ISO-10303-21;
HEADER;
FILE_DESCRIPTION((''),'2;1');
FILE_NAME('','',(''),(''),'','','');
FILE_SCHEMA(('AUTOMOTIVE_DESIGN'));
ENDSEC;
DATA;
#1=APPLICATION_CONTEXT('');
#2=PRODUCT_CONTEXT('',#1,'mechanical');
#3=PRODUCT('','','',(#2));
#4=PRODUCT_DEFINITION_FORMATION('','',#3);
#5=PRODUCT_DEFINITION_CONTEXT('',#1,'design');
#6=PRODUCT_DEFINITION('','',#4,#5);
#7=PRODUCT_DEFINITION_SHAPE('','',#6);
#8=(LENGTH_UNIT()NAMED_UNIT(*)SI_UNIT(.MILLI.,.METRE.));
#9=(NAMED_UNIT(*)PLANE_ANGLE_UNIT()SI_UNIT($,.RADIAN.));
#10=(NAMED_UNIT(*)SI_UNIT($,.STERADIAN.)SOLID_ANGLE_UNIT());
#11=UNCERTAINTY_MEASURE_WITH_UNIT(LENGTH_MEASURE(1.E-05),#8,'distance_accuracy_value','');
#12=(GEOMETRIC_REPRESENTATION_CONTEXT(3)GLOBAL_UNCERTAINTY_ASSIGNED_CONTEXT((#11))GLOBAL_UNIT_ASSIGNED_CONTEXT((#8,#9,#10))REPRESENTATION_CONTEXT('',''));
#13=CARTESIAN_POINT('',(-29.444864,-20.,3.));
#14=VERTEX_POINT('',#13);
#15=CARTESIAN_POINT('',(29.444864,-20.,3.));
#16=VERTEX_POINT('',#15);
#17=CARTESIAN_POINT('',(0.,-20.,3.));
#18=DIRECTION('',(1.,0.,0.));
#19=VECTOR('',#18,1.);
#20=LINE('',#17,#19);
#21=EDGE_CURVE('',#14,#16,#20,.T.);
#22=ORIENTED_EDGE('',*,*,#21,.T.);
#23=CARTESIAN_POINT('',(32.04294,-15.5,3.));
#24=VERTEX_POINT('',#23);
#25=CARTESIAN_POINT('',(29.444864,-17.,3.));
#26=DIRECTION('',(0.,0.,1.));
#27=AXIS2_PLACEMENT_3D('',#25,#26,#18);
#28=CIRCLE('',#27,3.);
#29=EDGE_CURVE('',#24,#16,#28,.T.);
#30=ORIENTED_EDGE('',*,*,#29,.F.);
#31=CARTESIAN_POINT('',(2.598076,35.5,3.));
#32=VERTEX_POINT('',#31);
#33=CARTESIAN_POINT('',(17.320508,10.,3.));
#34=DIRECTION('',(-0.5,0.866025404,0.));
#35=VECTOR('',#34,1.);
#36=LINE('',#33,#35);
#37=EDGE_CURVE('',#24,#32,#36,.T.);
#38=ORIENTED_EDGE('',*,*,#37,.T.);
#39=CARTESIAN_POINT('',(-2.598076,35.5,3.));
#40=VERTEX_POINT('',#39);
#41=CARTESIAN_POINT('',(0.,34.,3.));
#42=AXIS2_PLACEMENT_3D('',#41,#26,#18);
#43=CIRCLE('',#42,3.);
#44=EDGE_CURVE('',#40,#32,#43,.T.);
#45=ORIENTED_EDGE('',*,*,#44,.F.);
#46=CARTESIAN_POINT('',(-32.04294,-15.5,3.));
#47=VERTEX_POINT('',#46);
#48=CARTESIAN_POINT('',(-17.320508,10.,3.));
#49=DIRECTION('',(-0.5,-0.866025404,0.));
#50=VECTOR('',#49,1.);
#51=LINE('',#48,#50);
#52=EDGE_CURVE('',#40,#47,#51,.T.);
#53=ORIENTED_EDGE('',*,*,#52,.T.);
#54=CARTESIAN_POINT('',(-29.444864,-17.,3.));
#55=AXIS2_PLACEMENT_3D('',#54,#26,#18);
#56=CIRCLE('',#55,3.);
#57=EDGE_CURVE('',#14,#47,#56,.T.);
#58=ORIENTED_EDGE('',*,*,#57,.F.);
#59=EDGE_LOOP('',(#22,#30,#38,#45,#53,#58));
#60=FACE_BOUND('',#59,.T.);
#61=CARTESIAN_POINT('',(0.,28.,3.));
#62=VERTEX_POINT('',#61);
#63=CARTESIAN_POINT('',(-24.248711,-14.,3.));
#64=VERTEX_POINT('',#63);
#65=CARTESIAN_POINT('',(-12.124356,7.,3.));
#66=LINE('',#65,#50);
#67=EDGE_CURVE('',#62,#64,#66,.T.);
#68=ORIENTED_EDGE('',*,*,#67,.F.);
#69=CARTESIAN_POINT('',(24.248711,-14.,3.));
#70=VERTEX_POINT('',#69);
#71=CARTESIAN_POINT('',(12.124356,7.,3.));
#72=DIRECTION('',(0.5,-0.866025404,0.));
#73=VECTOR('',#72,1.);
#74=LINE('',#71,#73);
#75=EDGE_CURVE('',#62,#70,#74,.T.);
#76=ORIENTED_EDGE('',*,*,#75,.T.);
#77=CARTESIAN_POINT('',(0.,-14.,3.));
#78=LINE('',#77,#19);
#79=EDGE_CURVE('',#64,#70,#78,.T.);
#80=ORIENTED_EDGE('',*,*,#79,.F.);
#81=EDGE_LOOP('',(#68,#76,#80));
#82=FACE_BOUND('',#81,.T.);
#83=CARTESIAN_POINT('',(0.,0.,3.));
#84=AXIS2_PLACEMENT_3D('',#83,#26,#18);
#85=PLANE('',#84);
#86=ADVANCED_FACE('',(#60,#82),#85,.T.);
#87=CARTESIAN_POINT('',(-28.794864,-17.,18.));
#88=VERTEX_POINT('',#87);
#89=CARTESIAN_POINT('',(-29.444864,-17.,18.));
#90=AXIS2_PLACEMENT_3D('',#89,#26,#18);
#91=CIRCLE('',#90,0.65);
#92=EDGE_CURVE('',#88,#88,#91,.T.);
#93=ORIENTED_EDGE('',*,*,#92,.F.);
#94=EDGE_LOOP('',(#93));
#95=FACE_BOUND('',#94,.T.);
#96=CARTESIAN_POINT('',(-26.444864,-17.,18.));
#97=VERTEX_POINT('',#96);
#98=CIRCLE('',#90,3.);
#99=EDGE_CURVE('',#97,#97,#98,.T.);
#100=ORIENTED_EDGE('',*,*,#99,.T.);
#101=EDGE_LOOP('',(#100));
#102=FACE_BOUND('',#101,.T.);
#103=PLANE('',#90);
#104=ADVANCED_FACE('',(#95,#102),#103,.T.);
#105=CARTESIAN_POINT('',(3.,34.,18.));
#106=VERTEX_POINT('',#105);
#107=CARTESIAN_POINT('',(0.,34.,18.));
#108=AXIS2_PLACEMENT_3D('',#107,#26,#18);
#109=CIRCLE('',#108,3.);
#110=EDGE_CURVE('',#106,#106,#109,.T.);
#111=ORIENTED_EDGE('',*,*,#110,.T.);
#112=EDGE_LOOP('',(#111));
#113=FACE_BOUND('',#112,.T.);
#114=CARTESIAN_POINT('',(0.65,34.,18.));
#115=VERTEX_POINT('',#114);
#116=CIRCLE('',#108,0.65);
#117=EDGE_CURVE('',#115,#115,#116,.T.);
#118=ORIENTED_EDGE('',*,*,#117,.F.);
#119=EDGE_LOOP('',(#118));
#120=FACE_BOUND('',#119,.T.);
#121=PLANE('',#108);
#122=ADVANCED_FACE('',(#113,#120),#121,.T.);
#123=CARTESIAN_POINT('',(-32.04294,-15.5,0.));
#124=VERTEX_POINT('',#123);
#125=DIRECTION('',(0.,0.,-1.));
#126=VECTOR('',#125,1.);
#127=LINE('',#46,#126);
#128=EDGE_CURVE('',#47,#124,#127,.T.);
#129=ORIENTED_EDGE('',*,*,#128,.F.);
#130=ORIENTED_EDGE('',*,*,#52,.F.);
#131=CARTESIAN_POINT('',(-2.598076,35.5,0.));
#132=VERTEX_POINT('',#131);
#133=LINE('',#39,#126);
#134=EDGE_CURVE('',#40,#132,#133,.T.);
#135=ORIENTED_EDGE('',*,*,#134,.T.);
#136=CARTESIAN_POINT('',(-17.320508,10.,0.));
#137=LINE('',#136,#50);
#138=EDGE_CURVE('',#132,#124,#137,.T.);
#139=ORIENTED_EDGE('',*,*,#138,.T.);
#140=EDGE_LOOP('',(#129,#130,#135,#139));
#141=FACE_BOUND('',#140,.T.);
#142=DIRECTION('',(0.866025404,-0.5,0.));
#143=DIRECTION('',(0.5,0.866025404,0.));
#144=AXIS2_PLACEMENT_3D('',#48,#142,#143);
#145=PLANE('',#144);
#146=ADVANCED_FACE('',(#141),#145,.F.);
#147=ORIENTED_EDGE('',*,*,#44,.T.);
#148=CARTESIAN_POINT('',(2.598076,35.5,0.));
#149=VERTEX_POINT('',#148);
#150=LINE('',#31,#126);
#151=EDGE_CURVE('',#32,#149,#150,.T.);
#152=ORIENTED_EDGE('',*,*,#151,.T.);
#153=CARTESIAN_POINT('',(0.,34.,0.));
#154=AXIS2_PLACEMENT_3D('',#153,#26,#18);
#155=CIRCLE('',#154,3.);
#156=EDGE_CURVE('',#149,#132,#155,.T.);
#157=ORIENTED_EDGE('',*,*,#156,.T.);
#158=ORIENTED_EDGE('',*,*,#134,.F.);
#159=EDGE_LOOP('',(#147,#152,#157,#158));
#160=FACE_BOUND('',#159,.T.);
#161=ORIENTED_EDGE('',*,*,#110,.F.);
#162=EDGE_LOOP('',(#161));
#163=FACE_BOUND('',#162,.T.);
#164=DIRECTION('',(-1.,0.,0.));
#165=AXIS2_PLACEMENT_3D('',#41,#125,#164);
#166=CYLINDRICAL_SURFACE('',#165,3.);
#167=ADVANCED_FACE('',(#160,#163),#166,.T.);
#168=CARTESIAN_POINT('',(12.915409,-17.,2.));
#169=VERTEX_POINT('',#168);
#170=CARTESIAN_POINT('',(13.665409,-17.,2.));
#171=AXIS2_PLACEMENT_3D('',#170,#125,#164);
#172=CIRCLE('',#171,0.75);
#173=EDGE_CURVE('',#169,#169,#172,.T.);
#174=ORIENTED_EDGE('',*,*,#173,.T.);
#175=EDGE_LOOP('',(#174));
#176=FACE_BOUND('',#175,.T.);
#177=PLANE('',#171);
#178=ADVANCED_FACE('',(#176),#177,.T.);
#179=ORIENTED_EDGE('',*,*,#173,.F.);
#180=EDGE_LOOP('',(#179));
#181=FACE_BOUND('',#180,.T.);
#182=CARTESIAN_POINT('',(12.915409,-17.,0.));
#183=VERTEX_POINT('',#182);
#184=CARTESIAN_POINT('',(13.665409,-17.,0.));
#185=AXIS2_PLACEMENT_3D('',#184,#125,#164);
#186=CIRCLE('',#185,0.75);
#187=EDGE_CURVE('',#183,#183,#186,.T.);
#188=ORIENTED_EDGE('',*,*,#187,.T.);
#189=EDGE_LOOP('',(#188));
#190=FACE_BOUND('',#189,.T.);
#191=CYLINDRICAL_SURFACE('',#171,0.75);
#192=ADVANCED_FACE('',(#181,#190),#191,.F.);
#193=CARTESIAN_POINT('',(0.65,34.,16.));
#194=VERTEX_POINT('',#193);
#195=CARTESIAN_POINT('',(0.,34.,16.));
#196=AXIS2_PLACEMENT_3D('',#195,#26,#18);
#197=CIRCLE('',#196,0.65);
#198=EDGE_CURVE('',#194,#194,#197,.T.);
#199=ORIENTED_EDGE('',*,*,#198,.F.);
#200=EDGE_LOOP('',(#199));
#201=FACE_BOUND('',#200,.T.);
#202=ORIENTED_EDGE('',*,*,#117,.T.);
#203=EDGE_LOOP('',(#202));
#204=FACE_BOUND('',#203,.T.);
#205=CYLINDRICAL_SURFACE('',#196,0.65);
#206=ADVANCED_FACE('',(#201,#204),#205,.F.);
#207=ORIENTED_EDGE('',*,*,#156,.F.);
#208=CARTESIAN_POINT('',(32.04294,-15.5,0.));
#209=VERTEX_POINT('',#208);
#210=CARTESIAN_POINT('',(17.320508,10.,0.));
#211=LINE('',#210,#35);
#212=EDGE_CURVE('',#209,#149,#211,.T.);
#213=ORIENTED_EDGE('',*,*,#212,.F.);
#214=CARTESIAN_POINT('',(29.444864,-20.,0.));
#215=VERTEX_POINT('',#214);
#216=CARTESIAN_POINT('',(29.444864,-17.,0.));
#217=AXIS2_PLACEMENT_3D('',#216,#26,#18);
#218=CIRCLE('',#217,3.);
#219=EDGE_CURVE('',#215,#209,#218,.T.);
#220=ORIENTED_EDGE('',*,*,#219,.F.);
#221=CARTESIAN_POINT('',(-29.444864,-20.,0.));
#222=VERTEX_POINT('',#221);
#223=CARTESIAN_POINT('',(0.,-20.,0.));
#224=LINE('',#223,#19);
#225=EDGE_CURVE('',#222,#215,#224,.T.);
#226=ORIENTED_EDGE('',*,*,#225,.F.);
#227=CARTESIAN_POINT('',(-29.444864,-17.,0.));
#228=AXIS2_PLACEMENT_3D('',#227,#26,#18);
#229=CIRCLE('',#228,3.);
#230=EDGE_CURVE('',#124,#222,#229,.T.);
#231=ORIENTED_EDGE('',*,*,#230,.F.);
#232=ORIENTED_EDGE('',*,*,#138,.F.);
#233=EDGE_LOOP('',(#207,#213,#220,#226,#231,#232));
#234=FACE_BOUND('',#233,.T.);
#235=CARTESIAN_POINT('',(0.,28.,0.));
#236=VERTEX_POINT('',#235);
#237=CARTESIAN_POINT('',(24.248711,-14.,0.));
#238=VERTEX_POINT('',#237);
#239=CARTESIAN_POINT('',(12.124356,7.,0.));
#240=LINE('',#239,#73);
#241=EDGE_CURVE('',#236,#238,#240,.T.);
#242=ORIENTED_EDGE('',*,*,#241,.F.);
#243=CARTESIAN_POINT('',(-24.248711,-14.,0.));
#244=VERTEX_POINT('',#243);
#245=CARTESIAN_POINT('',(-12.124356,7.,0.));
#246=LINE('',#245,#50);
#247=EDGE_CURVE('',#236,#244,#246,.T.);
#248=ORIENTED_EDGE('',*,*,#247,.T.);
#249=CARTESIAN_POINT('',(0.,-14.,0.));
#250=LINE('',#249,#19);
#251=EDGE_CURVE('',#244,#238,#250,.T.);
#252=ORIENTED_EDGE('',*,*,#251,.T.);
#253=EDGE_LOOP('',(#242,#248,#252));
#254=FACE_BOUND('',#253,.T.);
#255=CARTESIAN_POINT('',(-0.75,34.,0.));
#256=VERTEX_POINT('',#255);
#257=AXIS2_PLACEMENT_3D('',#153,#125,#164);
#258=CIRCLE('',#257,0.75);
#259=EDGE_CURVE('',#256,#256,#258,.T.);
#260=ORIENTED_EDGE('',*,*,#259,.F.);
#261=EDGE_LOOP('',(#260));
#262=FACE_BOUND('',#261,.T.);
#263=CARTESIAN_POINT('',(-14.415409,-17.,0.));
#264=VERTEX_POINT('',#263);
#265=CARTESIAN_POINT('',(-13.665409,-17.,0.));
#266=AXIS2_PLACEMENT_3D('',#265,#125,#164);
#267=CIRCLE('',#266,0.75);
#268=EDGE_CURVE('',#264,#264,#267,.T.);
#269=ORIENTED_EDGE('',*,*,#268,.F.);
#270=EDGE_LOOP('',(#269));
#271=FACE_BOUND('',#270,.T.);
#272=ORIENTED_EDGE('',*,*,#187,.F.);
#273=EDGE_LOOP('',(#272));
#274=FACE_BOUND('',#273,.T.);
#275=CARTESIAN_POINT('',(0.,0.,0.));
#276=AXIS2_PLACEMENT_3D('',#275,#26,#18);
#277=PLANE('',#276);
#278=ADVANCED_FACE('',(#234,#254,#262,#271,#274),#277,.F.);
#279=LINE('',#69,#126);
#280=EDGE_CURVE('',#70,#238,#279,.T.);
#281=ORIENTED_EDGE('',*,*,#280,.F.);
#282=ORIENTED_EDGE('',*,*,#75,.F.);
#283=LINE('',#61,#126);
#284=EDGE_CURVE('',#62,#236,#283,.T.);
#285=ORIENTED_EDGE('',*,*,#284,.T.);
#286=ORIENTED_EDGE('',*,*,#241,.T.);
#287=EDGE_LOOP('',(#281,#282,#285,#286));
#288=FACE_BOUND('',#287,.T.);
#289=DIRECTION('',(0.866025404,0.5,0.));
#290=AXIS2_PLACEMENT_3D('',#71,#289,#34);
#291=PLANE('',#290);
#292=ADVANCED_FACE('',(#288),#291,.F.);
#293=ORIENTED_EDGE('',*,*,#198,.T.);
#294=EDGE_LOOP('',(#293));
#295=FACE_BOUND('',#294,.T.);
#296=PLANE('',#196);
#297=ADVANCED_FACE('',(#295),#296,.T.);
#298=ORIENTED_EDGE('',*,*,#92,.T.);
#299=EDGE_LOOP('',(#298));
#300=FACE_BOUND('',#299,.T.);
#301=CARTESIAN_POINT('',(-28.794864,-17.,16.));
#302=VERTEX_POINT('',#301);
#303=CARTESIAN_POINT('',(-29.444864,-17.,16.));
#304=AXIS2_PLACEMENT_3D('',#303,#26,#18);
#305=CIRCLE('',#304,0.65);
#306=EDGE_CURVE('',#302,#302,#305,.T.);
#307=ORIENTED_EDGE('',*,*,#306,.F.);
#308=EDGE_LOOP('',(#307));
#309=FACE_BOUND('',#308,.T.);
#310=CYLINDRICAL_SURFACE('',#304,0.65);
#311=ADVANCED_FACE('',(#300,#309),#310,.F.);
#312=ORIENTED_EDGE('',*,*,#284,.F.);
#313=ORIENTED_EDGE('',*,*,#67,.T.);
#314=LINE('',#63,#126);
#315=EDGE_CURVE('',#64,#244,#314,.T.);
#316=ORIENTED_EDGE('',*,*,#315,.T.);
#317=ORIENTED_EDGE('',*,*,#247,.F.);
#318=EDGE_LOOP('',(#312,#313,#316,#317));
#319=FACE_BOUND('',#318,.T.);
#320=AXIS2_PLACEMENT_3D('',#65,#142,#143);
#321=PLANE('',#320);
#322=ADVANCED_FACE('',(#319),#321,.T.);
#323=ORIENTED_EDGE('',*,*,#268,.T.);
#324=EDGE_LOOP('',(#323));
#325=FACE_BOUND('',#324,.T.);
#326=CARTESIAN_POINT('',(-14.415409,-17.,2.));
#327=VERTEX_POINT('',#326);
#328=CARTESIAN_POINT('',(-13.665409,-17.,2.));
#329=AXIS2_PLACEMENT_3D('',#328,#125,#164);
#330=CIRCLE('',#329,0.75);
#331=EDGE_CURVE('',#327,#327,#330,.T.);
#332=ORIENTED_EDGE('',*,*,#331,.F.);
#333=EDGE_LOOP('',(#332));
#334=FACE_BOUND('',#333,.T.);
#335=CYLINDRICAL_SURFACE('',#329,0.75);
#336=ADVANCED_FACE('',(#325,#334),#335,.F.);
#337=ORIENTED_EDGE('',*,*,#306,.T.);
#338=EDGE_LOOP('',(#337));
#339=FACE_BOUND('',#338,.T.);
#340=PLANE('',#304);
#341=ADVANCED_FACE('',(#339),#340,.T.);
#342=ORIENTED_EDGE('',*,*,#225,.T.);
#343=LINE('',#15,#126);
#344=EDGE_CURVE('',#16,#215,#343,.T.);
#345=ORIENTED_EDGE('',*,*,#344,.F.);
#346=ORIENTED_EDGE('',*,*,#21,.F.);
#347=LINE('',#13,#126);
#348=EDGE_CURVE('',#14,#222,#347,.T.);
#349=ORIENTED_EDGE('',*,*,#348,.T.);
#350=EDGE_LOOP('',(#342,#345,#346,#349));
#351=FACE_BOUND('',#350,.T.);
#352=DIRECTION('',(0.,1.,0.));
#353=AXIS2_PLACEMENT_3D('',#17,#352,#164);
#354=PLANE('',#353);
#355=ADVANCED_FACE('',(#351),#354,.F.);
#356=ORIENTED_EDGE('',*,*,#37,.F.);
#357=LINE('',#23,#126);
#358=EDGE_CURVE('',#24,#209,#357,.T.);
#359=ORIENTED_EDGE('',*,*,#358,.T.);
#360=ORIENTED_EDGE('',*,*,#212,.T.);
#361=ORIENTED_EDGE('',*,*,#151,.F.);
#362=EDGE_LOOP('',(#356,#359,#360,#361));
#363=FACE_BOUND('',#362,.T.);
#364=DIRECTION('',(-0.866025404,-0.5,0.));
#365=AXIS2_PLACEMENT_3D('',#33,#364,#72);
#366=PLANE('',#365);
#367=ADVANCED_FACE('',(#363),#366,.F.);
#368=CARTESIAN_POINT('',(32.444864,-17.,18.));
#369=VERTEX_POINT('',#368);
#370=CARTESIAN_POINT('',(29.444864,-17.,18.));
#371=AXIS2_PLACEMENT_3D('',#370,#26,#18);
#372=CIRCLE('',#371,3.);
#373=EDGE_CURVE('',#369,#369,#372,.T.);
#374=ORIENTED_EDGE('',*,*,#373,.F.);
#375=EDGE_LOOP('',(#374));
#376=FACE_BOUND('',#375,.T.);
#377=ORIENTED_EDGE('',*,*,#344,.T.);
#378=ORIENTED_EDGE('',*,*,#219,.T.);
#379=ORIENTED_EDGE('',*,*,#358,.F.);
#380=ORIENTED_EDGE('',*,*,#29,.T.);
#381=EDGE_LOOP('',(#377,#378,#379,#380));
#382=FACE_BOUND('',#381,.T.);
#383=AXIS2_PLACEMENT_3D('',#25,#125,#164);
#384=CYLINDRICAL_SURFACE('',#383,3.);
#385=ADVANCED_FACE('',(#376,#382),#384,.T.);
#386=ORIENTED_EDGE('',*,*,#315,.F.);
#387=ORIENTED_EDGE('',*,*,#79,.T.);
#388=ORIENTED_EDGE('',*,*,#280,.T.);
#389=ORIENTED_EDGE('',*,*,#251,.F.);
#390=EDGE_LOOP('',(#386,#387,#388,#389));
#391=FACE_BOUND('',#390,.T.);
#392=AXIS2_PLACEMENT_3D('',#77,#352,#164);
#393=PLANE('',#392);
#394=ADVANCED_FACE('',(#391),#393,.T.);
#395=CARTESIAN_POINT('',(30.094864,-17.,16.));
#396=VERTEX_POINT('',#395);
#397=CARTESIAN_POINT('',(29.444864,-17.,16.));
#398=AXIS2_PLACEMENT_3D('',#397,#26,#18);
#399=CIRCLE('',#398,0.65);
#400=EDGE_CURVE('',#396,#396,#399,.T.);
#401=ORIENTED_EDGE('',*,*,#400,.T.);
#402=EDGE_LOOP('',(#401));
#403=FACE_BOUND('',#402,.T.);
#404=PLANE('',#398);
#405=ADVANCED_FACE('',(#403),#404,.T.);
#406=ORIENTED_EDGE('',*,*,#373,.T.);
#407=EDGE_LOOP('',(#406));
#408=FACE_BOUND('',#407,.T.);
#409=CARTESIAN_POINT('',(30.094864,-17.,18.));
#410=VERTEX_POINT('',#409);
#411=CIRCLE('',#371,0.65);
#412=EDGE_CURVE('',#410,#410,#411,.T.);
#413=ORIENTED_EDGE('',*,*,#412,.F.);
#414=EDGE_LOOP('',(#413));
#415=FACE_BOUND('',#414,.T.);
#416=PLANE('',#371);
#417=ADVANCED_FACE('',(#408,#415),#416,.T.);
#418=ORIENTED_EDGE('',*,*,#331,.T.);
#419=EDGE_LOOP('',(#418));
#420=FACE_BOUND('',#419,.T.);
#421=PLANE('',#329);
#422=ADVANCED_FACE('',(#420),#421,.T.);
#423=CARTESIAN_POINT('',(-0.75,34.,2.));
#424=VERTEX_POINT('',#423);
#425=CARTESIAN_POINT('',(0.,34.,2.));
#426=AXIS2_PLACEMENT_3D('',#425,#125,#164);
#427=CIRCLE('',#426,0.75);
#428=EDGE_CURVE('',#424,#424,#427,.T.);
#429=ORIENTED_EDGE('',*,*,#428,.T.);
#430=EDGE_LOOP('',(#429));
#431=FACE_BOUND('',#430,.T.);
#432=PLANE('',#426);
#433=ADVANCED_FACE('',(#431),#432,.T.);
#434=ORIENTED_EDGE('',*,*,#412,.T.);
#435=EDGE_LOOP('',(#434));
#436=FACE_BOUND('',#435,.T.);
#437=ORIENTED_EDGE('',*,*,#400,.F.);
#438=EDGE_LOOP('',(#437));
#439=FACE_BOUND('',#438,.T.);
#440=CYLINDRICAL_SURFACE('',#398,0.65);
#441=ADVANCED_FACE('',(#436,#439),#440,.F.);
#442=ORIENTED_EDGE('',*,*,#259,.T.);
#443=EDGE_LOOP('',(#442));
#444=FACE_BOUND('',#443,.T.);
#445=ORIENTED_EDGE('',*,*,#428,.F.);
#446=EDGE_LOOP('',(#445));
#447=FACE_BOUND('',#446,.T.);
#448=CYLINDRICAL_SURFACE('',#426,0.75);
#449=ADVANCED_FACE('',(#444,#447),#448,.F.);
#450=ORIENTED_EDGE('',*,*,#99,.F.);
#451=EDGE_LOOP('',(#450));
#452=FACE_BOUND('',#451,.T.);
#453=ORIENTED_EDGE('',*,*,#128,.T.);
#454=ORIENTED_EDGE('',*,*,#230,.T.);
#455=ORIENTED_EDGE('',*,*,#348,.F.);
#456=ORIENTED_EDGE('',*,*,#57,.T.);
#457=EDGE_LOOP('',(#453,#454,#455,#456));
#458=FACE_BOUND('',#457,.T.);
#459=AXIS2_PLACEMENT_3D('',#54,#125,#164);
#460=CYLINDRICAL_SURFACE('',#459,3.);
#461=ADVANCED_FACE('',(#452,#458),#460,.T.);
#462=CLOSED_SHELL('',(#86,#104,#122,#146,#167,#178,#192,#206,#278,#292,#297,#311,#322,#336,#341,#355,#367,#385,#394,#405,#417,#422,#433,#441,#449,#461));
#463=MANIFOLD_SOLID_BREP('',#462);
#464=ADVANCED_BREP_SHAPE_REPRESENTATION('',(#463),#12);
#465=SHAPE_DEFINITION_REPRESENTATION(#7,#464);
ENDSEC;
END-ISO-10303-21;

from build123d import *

# Parameters (mm, degrees)
EXTRUDE_1_DEPTH     = 3
EXTRUDE_START       = 3
SKETCH_1_6_R        = 3
EXTRUDE_2_DEPTH     = 15
CUT_EXTRUDE_START   = 18
SKETCH_1_7_R        = 0.65
CUT_EXTRUDE_2_DEPTH = 2
SKETCH_2_R          = 0.75
CUT_EXTRUDE_3_DEPTH = 2


with BuildPart() as part:
    # 草图1 → 凸台-拉伸1 (new body)
    with BuildSketch(Plane.XY):
        with BuildLine():
            Line((-29.444863729, -20), (29.444863729, -20))
            ThreePointArc((29.444863729, -20), (32.04293994, -18.5), (32.04293994, -15.5))
            Line((32.04293994, -15.5), (2.598076211, 35.5))
            ThreePointArc((2.598076211, 35.5), (0, 37), (-2.598076211, 35.5))
            Line((-2.598076211, 35.5), (-32.04293994, -15.5))
            ThreePointArc((-32.04293994, -15.5), (-32.04293994, -18.5), (-29.444863729, -20))
        make_face()
        Polygon((24.248711306, -14), (-24.248711306, -14), (0, 28), align=None, mode=Mode.SUBTRACT)
    extrude(amount=EXTRUDE_1_DEPTH)

    # 草图1<6> → 凸台-拉伸2 (add)
    with BuildSketch(Plane.XY.offset(EXTRUDE_START)):
        with Locations(Location((-29.444863729, -17, 0), (0, 0, 150))):
            Circle(SKETCH_1_6_R)
        with Locations(Location((29.444863729, -17, 0), (0, 0, 270))):
            Circle(SKETCH_1_6_R)
        with Locations(Location((0, 34, 0), (0, 0, 150))):
            Circle(SKETCH_1_6_R)
    extrude(amount=EXTRUDE_2_DEPTH)

    # 草图1<7> → 切除-拉伸2 (cut)
    with BuildSketch(Plane.XY.offset(CUT_EXTRUDE_START)):
        with Locations((0, 34)):
            Circle(SKETCH_1_7_R)
        with Locations((-29.444863729, -17)):
            Circle(SKETCH_1_7_R)
        with Locations((29.444863729, -17)):
            Circle(SKETCH_1_7_R)
    extrude(amount=-CUT_EXTRUDE_2_DEPTH, mode=Mode.SUBTRACT)

    # 草图2 → 切除-拉伸3 (cut)
    with BuildSketch(Plane(origin=(0, 0, 0), x_dir=(-1, 0, 0), z_dir=(0, 0, -1))):
        with Locations((-13.665408814, -17)):
            Circle(SKETCH_2_R)
        with Locations((13.665408814, -17)):
            Circle(SKETCH_2_R)
        with Locations((0, 34)):
            Circle(SKETCH_2_R)
    extrude(amount=-CUT_EXTRUDE_3_DEPTH, mode=Mode.SUBTRACT)


solid = part.part
